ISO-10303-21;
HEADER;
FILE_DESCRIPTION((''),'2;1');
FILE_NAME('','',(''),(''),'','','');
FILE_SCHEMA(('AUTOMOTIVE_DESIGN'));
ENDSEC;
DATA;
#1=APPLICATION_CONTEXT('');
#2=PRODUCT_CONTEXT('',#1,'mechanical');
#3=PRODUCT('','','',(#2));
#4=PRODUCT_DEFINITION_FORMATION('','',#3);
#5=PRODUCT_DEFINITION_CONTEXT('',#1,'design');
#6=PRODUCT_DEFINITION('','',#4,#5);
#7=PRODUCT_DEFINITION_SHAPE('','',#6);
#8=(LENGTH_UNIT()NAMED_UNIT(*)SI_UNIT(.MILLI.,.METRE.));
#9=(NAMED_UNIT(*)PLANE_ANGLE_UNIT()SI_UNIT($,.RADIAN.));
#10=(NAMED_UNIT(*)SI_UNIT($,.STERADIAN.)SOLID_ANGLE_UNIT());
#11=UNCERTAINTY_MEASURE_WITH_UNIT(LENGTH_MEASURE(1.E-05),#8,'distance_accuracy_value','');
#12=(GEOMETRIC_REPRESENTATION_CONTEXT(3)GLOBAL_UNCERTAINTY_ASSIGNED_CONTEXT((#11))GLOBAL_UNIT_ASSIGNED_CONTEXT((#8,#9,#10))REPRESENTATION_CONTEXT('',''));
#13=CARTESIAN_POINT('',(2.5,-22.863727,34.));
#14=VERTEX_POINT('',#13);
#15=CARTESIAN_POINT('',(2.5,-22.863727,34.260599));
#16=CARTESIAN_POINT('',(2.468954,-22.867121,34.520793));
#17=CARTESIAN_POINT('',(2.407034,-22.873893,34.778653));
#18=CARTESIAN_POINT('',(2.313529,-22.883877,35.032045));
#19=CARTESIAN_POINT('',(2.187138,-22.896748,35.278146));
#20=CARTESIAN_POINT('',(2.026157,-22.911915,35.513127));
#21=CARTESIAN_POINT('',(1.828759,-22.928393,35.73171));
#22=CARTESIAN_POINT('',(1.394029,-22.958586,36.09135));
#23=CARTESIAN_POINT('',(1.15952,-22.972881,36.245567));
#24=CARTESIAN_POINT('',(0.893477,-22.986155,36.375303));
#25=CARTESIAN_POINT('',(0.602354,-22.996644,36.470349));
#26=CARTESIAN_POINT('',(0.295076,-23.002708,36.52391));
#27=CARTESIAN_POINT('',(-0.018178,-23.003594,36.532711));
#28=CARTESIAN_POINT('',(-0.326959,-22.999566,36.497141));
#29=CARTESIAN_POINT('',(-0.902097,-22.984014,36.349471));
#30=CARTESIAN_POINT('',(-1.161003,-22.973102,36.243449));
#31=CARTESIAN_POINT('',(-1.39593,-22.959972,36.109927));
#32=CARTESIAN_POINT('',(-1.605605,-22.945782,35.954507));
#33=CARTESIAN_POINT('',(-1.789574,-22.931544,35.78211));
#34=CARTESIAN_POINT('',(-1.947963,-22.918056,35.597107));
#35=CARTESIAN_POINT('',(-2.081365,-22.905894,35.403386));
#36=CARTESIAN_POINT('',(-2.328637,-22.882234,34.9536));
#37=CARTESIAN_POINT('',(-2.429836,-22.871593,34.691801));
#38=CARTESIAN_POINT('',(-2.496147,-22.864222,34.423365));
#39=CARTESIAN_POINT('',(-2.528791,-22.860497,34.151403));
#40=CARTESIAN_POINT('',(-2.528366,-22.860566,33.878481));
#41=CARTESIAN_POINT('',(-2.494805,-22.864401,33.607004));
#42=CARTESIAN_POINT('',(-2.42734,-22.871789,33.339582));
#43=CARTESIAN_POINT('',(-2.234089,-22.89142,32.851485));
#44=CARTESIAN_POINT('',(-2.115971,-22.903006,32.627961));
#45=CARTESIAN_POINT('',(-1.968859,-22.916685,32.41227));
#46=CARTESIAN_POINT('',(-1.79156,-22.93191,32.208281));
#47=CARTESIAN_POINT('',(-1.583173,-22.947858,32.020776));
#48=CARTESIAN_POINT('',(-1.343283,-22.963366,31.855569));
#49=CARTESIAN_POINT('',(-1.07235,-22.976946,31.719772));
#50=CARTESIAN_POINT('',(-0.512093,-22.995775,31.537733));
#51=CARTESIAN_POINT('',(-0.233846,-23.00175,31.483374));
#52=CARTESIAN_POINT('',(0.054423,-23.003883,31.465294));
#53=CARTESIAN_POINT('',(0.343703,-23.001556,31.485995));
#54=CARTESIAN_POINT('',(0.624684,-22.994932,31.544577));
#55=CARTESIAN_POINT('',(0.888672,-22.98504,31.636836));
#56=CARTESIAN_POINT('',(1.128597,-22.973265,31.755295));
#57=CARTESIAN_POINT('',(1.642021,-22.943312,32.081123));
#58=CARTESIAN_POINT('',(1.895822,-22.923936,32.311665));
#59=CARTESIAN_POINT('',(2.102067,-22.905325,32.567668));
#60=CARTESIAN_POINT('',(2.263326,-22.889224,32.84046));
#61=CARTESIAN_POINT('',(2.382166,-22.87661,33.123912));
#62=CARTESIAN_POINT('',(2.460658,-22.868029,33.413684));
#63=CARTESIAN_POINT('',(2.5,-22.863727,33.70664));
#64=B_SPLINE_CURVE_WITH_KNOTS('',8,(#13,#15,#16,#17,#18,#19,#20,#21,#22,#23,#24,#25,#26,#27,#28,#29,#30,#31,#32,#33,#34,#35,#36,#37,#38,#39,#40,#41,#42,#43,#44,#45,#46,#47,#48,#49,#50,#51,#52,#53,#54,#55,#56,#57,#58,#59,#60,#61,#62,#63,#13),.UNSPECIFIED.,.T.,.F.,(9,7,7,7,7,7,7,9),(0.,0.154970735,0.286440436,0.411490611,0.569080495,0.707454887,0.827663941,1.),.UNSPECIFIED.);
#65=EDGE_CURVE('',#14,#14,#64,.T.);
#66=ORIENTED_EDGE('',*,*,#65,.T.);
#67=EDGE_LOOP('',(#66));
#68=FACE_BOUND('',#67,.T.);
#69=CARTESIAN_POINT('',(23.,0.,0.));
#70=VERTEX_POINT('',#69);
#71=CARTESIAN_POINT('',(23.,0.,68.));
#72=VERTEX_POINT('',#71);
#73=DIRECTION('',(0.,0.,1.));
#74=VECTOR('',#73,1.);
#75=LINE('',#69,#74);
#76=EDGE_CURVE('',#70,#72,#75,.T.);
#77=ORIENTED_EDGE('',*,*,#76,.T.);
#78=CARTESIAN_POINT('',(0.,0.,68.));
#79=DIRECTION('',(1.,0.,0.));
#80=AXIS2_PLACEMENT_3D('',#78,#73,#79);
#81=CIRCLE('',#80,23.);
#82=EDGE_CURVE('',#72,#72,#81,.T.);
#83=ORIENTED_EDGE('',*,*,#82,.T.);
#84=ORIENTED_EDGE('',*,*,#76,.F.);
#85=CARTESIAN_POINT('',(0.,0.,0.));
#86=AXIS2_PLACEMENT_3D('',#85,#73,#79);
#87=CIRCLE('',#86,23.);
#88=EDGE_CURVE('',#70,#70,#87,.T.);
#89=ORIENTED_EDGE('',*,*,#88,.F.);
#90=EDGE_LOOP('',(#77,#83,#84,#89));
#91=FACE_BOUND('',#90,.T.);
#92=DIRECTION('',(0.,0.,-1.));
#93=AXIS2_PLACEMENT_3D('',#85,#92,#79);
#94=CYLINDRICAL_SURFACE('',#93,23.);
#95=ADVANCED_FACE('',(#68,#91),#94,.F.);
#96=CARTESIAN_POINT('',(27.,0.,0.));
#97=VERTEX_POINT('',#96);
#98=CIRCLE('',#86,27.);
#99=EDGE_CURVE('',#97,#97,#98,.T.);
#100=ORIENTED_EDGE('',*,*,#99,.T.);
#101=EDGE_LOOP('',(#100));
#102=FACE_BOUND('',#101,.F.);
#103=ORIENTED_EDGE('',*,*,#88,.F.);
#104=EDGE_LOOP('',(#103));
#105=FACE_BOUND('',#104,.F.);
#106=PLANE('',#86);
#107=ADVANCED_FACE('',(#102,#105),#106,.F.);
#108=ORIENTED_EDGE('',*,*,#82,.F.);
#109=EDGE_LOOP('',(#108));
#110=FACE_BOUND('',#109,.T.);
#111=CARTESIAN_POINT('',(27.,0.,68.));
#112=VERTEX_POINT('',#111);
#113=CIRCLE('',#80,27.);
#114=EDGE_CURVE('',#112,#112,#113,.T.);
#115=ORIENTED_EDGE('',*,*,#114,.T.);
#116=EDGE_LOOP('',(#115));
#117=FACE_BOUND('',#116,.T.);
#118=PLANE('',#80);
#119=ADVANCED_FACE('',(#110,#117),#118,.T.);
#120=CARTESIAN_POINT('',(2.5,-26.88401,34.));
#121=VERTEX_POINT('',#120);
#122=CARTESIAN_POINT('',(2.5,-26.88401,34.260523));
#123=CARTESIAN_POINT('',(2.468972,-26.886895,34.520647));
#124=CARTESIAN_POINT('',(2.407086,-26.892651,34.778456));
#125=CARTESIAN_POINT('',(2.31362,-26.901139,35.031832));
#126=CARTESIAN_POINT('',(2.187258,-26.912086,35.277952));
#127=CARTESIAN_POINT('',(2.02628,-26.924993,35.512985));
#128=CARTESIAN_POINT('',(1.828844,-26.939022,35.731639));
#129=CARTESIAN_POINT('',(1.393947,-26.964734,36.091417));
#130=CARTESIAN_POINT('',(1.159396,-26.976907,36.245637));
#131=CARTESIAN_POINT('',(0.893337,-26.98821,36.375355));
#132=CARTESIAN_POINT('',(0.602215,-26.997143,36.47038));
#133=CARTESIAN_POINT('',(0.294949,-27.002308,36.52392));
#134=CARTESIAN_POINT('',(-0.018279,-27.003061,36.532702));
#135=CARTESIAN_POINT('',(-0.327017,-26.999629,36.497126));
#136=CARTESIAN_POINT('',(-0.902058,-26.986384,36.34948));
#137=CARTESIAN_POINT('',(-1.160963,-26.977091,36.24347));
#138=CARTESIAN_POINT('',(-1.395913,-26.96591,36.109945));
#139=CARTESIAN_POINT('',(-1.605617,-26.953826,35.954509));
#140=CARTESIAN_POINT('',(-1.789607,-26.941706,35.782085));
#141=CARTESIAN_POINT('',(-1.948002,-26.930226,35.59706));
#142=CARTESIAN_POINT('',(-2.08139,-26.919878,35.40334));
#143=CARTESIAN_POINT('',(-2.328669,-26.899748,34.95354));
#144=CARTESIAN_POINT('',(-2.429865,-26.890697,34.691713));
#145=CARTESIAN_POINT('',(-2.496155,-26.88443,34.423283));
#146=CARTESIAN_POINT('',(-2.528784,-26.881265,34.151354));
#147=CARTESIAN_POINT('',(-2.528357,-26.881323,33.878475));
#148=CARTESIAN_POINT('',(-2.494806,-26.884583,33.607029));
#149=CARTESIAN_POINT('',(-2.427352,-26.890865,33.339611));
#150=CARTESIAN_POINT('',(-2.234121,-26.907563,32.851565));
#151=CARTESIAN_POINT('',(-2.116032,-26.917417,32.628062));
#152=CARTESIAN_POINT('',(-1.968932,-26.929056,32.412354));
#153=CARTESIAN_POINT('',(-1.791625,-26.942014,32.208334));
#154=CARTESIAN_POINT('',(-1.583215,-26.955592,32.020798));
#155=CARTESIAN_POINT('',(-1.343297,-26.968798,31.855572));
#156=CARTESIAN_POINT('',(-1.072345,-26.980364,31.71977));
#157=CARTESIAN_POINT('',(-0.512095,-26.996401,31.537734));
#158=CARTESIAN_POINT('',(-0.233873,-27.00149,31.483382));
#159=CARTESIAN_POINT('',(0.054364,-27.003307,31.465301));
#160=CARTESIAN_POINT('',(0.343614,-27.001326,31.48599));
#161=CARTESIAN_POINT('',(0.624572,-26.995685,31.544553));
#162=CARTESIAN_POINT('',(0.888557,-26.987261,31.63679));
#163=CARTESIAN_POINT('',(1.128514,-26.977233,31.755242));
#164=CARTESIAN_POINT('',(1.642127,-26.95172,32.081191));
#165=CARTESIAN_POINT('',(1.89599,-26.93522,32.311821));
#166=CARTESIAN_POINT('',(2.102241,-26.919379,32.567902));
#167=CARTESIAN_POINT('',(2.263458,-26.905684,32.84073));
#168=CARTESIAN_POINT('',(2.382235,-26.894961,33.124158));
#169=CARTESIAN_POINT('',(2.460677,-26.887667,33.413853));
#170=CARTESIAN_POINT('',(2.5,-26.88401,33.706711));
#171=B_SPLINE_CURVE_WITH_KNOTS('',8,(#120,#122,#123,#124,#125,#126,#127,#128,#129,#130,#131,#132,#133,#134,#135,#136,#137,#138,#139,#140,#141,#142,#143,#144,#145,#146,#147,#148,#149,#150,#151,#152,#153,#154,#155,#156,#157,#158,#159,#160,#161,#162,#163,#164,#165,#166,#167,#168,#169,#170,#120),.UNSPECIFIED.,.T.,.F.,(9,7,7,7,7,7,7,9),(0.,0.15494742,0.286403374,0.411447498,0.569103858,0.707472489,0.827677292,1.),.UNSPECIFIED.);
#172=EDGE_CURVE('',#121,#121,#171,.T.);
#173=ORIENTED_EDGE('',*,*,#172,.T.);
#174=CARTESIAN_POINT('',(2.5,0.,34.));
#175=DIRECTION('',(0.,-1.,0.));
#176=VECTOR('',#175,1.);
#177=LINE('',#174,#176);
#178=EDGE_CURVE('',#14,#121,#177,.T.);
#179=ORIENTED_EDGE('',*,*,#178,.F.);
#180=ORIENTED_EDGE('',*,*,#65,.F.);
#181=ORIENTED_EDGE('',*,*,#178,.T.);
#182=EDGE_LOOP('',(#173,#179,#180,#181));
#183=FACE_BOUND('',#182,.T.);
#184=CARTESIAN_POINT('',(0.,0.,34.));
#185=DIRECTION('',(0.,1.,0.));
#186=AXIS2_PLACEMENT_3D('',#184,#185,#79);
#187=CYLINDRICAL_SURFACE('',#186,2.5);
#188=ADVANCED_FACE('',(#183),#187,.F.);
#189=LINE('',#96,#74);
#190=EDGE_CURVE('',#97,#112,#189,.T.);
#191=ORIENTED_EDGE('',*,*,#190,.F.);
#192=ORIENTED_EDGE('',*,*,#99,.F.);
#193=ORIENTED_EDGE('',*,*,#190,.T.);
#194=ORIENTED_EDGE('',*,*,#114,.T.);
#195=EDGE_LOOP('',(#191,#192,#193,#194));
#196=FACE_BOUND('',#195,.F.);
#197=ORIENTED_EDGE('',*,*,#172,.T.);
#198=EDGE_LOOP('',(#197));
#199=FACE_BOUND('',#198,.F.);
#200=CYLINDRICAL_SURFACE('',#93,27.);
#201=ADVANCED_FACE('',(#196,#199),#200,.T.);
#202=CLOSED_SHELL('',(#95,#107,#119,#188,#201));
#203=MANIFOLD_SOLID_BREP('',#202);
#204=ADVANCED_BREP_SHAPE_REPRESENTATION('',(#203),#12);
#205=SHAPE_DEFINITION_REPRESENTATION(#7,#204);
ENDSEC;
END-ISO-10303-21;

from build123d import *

# Parameters (mm, degrees)
F0_R     = 27
F0_R_2   = 23
F1_DEPTH = 68
F3_R     = 2.5
F4_DEPTH = 27.001


with BuildPart() as f1:
    # F0 (on Top) → F1 (new body)
    with BuildSketch(Plane.XY):
        Circle(F0_R)
        Circle(F0_R_2, mode=Mode.SUBTRACT)
    extrude(amount=F1_DEPTH)

    # F3 (on Front) → F4 (cut, through all)
    with BuildSketch(Plane.XZ):
        with Locations((0, 34)):
            Circle(F3_R)
    extrude(amount=F4_DEPTH, mode=Mode.SUBTRACT)


solid = f1.part
